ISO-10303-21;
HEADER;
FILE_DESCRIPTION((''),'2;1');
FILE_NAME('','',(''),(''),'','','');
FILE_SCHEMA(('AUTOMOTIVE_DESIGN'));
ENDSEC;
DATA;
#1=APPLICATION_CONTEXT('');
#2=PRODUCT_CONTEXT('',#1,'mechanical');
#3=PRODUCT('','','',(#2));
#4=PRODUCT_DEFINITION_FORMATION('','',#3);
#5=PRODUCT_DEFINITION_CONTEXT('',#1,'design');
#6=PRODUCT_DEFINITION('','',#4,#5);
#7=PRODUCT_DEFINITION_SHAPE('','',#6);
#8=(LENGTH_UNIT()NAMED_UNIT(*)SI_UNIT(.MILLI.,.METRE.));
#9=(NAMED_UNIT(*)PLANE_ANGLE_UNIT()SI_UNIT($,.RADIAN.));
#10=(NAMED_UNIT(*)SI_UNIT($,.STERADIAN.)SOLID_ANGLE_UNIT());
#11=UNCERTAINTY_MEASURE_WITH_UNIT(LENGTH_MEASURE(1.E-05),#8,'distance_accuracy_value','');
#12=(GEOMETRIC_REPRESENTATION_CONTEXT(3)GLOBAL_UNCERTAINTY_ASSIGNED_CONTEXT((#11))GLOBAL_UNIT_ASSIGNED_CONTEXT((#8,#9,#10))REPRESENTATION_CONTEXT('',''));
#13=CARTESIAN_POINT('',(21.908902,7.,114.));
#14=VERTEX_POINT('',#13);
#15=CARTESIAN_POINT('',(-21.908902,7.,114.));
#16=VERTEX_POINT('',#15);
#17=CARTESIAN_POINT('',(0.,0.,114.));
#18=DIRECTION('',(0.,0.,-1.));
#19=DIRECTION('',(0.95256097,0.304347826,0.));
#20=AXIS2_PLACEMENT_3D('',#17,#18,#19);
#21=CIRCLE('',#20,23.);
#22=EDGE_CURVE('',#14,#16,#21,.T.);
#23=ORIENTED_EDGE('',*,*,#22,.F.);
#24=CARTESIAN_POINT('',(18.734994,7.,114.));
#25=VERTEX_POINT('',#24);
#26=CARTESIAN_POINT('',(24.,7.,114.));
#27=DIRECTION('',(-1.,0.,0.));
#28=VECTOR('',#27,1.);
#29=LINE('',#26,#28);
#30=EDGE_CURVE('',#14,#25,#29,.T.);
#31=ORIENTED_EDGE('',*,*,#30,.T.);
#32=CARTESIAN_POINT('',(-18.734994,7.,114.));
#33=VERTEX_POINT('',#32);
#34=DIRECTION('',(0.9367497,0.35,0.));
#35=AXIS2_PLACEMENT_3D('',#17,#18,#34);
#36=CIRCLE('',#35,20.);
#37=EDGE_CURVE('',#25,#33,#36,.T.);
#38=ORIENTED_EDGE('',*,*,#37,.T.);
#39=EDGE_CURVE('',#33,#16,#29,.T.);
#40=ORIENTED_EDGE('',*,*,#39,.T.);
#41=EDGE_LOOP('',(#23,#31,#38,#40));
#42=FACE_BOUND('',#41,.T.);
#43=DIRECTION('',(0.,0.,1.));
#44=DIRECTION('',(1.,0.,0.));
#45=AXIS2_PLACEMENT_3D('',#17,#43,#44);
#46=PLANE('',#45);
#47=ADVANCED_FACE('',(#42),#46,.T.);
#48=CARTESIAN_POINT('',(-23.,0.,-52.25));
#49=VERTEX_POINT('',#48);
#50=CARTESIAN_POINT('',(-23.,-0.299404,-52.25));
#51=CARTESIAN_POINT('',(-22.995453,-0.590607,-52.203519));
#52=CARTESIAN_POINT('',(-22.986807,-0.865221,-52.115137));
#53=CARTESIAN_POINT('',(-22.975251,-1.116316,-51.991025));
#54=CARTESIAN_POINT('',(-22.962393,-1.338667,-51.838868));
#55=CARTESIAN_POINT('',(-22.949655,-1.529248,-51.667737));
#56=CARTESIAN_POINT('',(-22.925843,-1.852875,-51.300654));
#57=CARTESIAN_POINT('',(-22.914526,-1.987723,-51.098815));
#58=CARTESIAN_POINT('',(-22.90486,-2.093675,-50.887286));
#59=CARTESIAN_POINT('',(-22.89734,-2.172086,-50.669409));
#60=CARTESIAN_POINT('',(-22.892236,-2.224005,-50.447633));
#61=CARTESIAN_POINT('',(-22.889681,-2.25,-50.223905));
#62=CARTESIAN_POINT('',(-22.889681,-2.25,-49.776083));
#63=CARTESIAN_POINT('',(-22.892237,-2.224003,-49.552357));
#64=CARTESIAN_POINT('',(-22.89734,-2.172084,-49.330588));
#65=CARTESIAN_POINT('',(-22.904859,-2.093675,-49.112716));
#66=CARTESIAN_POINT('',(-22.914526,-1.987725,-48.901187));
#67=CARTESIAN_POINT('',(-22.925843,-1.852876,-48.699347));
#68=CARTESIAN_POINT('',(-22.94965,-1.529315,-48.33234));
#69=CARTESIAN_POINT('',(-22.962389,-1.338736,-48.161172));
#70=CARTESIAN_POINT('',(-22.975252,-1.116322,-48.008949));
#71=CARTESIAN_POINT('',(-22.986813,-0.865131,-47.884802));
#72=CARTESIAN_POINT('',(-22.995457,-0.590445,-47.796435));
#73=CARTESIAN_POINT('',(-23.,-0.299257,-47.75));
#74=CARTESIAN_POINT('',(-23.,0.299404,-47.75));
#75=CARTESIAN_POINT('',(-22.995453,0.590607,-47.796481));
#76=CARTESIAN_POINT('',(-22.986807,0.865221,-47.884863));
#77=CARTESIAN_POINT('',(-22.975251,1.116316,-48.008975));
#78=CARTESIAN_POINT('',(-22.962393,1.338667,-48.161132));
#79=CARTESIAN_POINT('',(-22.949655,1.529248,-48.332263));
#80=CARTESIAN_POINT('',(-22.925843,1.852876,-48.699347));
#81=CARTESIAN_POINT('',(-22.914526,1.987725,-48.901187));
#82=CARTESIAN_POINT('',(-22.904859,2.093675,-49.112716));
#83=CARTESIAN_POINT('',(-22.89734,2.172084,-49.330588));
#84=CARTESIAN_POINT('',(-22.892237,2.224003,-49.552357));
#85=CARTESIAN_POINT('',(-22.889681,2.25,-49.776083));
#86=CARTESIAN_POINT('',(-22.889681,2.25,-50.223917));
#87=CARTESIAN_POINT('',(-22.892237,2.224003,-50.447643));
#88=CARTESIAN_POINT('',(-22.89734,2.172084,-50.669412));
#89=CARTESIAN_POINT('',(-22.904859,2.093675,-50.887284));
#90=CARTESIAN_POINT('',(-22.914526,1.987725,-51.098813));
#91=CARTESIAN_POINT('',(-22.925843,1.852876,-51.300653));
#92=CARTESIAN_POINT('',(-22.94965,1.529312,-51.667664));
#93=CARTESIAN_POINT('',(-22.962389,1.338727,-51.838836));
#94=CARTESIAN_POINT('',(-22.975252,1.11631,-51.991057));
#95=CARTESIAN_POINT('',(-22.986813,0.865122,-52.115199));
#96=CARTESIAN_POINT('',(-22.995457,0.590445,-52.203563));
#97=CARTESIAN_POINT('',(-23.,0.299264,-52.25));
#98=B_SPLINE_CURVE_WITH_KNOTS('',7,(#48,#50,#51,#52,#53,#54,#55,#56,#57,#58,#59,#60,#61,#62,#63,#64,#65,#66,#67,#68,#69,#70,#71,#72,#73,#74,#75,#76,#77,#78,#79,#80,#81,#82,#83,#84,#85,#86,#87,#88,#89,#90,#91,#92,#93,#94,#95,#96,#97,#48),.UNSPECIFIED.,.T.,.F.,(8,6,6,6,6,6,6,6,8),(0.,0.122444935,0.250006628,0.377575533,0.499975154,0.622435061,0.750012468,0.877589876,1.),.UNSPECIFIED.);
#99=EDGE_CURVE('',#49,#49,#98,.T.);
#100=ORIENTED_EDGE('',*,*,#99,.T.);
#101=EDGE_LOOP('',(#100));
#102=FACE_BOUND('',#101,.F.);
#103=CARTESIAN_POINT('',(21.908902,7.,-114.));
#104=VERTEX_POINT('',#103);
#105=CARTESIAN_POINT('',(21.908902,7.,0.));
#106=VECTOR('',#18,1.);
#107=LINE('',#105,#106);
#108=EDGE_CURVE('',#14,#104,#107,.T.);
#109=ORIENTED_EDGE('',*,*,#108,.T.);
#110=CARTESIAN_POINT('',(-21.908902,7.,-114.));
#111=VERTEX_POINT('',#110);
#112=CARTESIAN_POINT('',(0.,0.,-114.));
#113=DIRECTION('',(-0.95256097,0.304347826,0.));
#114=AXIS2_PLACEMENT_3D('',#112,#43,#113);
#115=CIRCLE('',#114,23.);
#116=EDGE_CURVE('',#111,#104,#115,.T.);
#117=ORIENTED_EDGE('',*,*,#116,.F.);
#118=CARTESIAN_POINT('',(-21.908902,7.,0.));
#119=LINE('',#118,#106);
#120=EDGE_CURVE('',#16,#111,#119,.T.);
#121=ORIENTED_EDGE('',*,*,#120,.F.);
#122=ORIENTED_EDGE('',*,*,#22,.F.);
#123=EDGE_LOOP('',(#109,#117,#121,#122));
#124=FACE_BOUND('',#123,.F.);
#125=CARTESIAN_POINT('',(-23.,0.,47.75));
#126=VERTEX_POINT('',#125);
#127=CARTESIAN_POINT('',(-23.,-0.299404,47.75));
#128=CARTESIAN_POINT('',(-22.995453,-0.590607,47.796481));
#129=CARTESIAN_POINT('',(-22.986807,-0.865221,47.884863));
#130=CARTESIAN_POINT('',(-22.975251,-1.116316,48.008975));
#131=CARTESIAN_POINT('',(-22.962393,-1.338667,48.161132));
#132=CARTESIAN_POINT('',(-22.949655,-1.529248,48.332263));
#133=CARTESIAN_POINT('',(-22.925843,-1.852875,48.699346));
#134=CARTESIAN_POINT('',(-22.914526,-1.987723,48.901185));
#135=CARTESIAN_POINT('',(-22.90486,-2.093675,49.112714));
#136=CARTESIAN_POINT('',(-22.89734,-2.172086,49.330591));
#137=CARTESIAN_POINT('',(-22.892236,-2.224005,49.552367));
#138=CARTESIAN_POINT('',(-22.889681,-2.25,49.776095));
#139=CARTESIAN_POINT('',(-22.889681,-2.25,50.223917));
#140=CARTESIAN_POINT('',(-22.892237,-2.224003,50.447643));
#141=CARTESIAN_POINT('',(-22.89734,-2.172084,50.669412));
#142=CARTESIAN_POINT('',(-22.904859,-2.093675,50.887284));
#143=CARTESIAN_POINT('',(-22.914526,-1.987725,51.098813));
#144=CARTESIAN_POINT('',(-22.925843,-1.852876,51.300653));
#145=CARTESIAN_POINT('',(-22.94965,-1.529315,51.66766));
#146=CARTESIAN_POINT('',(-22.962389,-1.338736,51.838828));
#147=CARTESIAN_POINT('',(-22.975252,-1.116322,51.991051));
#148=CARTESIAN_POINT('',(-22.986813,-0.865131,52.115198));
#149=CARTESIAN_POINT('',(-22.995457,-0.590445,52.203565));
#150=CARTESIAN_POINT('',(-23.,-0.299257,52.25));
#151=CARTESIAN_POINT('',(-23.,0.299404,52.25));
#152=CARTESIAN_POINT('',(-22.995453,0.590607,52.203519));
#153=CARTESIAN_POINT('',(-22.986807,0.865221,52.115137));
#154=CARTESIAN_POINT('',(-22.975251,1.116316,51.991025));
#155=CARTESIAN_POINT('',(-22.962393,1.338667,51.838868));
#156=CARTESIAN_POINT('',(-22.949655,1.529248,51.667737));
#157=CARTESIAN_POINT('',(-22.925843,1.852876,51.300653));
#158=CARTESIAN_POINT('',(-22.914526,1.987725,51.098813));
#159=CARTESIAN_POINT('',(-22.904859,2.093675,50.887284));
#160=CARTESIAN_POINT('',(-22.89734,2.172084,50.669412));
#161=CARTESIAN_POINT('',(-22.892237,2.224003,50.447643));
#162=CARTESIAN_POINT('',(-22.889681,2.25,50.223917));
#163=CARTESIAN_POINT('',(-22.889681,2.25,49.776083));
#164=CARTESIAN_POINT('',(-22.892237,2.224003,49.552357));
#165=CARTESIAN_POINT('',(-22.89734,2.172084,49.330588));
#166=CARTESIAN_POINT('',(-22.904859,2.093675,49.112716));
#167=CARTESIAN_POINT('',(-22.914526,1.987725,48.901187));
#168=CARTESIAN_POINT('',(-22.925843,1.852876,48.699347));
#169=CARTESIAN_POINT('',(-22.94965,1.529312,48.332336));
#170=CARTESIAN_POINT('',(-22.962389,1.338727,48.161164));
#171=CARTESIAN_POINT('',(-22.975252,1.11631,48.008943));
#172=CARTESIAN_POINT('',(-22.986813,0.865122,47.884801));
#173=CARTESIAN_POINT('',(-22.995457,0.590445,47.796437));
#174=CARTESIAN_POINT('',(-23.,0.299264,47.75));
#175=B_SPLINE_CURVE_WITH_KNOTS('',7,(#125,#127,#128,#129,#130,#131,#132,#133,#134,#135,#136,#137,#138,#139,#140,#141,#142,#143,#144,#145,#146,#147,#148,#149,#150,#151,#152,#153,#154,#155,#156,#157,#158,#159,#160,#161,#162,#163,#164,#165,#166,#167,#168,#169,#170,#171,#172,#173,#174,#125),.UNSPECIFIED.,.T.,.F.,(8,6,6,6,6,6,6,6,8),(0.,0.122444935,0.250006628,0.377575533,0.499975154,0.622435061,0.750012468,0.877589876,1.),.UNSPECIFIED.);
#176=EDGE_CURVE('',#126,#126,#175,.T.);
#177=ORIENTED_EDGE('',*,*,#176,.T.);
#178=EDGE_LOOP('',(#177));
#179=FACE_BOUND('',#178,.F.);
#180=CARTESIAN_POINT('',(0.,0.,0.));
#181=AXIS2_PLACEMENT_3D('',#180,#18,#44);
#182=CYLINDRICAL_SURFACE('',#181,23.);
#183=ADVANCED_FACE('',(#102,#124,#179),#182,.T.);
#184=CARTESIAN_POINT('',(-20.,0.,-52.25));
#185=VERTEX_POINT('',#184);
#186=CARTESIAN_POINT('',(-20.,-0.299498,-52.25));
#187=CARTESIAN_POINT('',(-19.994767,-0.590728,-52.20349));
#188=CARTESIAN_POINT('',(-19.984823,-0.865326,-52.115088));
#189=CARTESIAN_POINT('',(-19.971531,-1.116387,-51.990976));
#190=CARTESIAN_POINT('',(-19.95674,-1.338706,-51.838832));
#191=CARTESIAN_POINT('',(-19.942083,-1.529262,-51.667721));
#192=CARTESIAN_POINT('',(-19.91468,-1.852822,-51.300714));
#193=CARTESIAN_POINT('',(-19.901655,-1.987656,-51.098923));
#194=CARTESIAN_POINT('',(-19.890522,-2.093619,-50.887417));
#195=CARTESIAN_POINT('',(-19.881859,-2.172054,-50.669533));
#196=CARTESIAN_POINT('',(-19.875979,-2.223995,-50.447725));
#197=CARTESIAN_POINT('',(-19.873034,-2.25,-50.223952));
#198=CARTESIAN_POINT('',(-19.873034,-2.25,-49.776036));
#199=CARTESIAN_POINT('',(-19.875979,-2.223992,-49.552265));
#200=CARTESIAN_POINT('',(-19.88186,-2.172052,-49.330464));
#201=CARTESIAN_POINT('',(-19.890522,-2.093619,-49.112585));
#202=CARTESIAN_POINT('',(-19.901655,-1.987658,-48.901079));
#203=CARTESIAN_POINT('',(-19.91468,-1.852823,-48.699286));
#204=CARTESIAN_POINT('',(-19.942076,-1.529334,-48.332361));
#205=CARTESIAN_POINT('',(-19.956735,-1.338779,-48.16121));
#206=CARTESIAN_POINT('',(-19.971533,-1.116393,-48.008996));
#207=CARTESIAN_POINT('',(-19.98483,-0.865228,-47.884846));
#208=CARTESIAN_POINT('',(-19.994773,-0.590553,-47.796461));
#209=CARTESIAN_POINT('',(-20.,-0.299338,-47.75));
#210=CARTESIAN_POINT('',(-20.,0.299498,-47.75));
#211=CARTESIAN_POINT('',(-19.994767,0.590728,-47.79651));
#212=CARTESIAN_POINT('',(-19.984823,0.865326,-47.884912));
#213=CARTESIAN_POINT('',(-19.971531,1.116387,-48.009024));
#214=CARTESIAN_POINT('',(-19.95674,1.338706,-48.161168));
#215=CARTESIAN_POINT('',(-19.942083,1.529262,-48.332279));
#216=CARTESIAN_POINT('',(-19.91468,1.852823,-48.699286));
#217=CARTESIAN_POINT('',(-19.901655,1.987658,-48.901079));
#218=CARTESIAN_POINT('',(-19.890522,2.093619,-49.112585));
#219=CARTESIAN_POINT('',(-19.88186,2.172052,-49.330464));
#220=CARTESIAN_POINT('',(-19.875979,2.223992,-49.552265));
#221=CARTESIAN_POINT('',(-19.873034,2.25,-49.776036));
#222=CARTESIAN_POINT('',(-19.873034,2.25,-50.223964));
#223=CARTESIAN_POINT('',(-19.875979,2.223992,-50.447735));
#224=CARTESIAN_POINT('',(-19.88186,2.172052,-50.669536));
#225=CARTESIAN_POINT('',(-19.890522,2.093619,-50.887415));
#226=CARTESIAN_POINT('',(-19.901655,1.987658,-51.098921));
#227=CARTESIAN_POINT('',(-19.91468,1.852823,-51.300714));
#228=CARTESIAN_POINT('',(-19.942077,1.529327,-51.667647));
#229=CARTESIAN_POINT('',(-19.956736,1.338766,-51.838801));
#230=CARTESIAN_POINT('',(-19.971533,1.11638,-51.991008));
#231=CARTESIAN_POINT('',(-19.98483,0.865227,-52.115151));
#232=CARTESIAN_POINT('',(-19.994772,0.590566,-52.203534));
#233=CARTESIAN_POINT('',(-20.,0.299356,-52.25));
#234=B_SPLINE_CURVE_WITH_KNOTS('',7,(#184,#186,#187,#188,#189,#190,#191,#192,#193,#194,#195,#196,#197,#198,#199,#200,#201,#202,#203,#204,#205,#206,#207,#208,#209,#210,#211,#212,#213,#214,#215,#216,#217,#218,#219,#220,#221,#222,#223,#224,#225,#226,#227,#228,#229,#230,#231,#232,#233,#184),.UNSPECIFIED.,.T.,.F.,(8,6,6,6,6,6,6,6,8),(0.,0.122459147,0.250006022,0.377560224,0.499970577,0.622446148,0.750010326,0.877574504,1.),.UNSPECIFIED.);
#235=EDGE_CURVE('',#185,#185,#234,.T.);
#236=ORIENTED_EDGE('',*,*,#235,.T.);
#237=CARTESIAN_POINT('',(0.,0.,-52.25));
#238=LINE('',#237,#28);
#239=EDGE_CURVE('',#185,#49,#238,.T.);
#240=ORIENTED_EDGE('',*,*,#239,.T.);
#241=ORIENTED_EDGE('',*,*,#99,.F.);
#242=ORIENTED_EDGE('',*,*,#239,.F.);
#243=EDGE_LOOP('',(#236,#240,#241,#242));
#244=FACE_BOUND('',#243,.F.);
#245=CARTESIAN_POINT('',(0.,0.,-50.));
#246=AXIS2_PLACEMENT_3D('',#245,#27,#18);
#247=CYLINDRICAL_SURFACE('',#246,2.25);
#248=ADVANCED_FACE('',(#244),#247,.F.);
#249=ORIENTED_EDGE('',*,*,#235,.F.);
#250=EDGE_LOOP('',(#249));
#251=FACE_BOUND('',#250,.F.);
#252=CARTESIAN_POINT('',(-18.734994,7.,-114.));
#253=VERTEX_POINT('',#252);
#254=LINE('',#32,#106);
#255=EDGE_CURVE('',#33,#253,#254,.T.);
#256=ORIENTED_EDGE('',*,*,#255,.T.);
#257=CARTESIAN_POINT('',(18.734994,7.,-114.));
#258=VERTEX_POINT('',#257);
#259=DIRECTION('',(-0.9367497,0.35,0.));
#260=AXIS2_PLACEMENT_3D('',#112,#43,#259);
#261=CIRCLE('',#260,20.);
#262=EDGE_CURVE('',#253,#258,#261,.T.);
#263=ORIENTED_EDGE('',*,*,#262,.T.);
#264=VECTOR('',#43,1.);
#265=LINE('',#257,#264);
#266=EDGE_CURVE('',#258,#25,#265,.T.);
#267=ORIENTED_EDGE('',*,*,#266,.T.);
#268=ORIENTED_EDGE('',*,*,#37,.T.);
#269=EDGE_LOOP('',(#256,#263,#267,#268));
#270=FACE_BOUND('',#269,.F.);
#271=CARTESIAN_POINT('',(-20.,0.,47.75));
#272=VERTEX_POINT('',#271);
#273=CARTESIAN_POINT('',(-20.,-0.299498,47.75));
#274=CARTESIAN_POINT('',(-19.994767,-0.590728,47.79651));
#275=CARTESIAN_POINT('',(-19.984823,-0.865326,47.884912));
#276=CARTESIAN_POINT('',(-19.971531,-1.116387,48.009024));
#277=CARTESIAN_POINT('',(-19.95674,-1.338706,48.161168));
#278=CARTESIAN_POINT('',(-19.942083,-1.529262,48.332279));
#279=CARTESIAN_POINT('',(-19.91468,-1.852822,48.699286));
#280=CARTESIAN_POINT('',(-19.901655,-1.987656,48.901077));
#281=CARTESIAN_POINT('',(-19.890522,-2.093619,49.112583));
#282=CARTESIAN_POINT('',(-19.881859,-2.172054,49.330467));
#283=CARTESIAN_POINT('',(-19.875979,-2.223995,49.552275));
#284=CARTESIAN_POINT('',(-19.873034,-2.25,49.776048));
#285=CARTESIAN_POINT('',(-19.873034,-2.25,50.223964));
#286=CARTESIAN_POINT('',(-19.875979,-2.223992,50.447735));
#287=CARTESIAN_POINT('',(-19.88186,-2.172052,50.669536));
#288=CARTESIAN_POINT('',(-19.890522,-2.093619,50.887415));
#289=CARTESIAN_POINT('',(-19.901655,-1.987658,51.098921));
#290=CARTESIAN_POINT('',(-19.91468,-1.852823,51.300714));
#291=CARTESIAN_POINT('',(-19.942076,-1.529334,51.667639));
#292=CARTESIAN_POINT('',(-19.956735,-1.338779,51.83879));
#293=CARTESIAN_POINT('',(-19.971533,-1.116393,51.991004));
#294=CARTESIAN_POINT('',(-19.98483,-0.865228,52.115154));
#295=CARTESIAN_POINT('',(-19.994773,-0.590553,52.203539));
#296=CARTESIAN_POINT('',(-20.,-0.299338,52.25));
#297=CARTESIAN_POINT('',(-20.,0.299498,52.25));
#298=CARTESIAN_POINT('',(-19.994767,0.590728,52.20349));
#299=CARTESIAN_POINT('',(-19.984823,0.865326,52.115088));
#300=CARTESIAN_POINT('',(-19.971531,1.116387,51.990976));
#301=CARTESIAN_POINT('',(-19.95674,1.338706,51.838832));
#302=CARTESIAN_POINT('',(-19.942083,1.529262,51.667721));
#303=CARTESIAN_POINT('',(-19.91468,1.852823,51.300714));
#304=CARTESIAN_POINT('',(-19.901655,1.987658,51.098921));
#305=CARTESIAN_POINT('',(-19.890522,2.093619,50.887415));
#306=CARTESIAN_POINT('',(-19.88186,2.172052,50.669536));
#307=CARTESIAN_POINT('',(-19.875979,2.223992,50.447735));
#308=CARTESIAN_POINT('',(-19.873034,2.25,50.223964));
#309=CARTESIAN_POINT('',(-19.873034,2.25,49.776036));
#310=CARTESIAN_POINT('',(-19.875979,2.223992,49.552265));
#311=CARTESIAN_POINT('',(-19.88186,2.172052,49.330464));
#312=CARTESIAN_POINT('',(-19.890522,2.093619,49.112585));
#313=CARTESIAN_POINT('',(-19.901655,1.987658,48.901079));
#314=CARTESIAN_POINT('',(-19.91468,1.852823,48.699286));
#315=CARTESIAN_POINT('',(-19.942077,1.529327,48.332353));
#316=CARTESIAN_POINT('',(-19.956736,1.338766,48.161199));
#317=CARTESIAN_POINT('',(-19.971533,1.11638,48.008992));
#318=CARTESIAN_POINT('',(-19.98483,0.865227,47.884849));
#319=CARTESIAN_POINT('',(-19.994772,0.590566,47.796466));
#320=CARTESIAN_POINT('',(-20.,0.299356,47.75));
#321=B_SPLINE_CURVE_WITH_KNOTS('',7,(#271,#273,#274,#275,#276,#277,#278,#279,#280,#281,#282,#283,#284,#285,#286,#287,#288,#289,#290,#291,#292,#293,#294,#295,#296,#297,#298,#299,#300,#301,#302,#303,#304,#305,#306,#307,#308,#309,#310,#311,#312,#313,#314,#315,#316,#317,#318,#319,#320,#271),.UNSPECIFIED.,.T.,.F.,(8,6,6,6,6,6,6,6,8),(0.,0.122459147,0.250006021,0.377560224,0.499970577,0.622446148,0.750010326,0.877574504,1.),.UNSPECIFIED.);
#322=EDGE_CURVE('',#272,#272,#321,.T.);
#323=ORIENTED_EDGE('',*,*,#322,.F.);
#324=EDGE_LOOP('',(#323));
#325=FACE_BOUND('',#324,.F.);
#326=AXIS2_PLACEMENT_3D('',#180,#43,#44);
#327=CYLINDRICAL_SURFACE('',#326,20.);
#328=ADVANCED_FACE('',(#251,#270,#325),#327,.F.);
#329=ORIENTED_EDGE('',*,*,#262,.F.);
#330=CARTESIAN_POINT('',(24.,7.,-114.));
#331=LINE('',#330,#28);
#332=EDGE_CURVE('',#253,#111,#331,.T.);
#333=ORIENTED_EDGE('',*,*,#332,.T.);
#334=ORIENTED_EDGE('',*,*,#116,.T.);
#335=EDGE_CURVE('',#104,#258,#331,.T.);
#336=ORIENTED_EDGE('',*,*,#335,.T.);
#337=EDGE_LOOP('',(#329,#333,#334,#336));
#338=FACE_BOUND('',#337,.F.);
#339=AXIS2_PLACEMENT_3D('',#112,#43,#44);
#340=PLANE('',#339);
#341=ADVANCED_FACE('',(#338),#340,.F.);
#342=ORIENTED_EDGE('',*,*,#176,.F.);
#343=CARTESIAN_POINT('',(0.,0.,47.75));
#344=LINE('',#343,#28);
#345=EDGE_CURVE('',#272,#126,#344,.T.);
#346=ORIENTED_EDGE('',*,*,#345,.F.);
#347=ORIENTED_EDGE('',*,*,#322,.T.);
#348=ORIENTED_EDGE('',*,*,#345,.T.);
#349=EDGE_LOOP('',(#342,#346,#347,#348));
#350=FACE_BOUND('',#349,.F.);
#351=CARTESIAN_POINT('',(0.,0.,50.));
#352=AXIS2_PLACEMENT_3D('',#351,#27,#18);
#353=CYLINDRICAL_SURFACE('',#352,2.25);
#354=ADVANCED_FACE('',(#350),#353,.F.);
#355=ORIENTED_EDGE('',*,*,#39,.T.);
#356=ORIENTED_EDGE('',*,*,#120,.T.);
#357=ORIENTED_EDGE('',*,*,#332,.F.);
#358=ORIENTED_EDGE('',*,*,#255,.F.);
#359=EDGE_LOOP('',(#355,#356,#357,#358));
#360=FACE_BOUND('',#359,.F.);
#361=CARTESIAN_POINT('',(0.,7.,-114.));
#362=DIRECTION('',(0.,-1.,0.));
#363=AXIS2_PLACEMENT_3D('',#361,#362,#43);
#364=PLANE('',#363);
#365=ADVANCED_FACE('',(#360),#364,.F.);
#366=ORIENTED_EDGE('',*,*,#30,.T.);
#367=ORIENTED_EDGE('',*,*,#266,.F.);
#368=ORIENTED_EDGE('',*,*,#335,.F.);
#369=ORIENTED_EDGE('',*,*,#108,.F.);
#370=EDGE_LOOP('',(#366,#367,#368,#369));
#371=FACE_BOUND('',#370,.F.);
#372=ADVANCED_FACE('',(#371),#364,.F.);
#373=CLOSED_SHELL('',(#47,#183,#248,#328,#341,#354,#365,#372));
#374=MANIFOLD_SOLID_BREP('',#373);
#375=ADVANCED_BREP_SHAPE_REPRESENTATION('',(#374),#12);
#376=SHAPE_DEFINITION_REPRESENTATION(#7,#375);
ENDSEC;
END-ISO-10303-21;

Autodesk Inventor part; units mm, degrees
ref_plane "YZ Plane" through (0, 0, 0) normal (1, 0, 0) x (0, 1, 0)
ref_plane "XZ Plane" through (0, 0, 0) normal (0, 1, 0) x (-1, 0, 0)
ref_plane "XY Plane" through (0, 0, 0) normal (0, 0, 1) x (1, 0, 0)
sketch "Sketch1" plane through (0, 0, 0) normal (0, 0, 1) x (1, 0, 0)
  circle A0 centre (0, 0) radius 20
  circle A1 centre (0, 0) radius 23
  dimension "d0" = 40
  dimension "d1" = 46
extrude "Extrusion1" add sketch "Sketch1" along normal mid plane 228
sketch "Sketch2" plane through (0, 0, 0) normal (1, 0, 0) x (0, 1, 0)
  line L0 (0, 70) -> (0, -70) projected
  line L1 (-70, 0) -> (70, 0) projected
  point P0 (0, 0)
  point P1 (0, 50)
  point P2 (0, -50)
  dimension "d19" = 50
  dimension "d20" = 100
hole "Hole1" at (0, 0, 50) at (0, 0, -50) direction (-1, 0, 0) diameter 4.5 end through all clearance for "Flat Head Machine Screw" size "M4" standard "Ansi Metric M Profile"
sketch "Sketch3" plane through (0, 0, 0) normal (1, 0, 0) x (0, 1, 0)
  line L0 (23, -114) -> (7, -114)
  line L1 (7, -114) -> (7, 114)
  line L2 (7, 114) -> (23, 114)
  line L3 (23, 114) -> (23, -114)
  line L4 (23, 114) -> (-23, 114) projected
  line L5 (-23, -114) -> (23, -114) projected
  line L6 (0, 160.3) -> (0, -160.3) projected
  point P0 (0, 0)
  dimension "d13" = 0
  dimension "d14" = 0
  dimension "d15" = 7
extrude "Extrusion2" cut sketch "Sketch3" along normal through all both and the other way through all contours L0 L1 L2 L3
equation "\"d19\" = 0.5 * d20"
properties part number "Top_Tilt Pipe_4 Lanes" material "PVC-Piping"
